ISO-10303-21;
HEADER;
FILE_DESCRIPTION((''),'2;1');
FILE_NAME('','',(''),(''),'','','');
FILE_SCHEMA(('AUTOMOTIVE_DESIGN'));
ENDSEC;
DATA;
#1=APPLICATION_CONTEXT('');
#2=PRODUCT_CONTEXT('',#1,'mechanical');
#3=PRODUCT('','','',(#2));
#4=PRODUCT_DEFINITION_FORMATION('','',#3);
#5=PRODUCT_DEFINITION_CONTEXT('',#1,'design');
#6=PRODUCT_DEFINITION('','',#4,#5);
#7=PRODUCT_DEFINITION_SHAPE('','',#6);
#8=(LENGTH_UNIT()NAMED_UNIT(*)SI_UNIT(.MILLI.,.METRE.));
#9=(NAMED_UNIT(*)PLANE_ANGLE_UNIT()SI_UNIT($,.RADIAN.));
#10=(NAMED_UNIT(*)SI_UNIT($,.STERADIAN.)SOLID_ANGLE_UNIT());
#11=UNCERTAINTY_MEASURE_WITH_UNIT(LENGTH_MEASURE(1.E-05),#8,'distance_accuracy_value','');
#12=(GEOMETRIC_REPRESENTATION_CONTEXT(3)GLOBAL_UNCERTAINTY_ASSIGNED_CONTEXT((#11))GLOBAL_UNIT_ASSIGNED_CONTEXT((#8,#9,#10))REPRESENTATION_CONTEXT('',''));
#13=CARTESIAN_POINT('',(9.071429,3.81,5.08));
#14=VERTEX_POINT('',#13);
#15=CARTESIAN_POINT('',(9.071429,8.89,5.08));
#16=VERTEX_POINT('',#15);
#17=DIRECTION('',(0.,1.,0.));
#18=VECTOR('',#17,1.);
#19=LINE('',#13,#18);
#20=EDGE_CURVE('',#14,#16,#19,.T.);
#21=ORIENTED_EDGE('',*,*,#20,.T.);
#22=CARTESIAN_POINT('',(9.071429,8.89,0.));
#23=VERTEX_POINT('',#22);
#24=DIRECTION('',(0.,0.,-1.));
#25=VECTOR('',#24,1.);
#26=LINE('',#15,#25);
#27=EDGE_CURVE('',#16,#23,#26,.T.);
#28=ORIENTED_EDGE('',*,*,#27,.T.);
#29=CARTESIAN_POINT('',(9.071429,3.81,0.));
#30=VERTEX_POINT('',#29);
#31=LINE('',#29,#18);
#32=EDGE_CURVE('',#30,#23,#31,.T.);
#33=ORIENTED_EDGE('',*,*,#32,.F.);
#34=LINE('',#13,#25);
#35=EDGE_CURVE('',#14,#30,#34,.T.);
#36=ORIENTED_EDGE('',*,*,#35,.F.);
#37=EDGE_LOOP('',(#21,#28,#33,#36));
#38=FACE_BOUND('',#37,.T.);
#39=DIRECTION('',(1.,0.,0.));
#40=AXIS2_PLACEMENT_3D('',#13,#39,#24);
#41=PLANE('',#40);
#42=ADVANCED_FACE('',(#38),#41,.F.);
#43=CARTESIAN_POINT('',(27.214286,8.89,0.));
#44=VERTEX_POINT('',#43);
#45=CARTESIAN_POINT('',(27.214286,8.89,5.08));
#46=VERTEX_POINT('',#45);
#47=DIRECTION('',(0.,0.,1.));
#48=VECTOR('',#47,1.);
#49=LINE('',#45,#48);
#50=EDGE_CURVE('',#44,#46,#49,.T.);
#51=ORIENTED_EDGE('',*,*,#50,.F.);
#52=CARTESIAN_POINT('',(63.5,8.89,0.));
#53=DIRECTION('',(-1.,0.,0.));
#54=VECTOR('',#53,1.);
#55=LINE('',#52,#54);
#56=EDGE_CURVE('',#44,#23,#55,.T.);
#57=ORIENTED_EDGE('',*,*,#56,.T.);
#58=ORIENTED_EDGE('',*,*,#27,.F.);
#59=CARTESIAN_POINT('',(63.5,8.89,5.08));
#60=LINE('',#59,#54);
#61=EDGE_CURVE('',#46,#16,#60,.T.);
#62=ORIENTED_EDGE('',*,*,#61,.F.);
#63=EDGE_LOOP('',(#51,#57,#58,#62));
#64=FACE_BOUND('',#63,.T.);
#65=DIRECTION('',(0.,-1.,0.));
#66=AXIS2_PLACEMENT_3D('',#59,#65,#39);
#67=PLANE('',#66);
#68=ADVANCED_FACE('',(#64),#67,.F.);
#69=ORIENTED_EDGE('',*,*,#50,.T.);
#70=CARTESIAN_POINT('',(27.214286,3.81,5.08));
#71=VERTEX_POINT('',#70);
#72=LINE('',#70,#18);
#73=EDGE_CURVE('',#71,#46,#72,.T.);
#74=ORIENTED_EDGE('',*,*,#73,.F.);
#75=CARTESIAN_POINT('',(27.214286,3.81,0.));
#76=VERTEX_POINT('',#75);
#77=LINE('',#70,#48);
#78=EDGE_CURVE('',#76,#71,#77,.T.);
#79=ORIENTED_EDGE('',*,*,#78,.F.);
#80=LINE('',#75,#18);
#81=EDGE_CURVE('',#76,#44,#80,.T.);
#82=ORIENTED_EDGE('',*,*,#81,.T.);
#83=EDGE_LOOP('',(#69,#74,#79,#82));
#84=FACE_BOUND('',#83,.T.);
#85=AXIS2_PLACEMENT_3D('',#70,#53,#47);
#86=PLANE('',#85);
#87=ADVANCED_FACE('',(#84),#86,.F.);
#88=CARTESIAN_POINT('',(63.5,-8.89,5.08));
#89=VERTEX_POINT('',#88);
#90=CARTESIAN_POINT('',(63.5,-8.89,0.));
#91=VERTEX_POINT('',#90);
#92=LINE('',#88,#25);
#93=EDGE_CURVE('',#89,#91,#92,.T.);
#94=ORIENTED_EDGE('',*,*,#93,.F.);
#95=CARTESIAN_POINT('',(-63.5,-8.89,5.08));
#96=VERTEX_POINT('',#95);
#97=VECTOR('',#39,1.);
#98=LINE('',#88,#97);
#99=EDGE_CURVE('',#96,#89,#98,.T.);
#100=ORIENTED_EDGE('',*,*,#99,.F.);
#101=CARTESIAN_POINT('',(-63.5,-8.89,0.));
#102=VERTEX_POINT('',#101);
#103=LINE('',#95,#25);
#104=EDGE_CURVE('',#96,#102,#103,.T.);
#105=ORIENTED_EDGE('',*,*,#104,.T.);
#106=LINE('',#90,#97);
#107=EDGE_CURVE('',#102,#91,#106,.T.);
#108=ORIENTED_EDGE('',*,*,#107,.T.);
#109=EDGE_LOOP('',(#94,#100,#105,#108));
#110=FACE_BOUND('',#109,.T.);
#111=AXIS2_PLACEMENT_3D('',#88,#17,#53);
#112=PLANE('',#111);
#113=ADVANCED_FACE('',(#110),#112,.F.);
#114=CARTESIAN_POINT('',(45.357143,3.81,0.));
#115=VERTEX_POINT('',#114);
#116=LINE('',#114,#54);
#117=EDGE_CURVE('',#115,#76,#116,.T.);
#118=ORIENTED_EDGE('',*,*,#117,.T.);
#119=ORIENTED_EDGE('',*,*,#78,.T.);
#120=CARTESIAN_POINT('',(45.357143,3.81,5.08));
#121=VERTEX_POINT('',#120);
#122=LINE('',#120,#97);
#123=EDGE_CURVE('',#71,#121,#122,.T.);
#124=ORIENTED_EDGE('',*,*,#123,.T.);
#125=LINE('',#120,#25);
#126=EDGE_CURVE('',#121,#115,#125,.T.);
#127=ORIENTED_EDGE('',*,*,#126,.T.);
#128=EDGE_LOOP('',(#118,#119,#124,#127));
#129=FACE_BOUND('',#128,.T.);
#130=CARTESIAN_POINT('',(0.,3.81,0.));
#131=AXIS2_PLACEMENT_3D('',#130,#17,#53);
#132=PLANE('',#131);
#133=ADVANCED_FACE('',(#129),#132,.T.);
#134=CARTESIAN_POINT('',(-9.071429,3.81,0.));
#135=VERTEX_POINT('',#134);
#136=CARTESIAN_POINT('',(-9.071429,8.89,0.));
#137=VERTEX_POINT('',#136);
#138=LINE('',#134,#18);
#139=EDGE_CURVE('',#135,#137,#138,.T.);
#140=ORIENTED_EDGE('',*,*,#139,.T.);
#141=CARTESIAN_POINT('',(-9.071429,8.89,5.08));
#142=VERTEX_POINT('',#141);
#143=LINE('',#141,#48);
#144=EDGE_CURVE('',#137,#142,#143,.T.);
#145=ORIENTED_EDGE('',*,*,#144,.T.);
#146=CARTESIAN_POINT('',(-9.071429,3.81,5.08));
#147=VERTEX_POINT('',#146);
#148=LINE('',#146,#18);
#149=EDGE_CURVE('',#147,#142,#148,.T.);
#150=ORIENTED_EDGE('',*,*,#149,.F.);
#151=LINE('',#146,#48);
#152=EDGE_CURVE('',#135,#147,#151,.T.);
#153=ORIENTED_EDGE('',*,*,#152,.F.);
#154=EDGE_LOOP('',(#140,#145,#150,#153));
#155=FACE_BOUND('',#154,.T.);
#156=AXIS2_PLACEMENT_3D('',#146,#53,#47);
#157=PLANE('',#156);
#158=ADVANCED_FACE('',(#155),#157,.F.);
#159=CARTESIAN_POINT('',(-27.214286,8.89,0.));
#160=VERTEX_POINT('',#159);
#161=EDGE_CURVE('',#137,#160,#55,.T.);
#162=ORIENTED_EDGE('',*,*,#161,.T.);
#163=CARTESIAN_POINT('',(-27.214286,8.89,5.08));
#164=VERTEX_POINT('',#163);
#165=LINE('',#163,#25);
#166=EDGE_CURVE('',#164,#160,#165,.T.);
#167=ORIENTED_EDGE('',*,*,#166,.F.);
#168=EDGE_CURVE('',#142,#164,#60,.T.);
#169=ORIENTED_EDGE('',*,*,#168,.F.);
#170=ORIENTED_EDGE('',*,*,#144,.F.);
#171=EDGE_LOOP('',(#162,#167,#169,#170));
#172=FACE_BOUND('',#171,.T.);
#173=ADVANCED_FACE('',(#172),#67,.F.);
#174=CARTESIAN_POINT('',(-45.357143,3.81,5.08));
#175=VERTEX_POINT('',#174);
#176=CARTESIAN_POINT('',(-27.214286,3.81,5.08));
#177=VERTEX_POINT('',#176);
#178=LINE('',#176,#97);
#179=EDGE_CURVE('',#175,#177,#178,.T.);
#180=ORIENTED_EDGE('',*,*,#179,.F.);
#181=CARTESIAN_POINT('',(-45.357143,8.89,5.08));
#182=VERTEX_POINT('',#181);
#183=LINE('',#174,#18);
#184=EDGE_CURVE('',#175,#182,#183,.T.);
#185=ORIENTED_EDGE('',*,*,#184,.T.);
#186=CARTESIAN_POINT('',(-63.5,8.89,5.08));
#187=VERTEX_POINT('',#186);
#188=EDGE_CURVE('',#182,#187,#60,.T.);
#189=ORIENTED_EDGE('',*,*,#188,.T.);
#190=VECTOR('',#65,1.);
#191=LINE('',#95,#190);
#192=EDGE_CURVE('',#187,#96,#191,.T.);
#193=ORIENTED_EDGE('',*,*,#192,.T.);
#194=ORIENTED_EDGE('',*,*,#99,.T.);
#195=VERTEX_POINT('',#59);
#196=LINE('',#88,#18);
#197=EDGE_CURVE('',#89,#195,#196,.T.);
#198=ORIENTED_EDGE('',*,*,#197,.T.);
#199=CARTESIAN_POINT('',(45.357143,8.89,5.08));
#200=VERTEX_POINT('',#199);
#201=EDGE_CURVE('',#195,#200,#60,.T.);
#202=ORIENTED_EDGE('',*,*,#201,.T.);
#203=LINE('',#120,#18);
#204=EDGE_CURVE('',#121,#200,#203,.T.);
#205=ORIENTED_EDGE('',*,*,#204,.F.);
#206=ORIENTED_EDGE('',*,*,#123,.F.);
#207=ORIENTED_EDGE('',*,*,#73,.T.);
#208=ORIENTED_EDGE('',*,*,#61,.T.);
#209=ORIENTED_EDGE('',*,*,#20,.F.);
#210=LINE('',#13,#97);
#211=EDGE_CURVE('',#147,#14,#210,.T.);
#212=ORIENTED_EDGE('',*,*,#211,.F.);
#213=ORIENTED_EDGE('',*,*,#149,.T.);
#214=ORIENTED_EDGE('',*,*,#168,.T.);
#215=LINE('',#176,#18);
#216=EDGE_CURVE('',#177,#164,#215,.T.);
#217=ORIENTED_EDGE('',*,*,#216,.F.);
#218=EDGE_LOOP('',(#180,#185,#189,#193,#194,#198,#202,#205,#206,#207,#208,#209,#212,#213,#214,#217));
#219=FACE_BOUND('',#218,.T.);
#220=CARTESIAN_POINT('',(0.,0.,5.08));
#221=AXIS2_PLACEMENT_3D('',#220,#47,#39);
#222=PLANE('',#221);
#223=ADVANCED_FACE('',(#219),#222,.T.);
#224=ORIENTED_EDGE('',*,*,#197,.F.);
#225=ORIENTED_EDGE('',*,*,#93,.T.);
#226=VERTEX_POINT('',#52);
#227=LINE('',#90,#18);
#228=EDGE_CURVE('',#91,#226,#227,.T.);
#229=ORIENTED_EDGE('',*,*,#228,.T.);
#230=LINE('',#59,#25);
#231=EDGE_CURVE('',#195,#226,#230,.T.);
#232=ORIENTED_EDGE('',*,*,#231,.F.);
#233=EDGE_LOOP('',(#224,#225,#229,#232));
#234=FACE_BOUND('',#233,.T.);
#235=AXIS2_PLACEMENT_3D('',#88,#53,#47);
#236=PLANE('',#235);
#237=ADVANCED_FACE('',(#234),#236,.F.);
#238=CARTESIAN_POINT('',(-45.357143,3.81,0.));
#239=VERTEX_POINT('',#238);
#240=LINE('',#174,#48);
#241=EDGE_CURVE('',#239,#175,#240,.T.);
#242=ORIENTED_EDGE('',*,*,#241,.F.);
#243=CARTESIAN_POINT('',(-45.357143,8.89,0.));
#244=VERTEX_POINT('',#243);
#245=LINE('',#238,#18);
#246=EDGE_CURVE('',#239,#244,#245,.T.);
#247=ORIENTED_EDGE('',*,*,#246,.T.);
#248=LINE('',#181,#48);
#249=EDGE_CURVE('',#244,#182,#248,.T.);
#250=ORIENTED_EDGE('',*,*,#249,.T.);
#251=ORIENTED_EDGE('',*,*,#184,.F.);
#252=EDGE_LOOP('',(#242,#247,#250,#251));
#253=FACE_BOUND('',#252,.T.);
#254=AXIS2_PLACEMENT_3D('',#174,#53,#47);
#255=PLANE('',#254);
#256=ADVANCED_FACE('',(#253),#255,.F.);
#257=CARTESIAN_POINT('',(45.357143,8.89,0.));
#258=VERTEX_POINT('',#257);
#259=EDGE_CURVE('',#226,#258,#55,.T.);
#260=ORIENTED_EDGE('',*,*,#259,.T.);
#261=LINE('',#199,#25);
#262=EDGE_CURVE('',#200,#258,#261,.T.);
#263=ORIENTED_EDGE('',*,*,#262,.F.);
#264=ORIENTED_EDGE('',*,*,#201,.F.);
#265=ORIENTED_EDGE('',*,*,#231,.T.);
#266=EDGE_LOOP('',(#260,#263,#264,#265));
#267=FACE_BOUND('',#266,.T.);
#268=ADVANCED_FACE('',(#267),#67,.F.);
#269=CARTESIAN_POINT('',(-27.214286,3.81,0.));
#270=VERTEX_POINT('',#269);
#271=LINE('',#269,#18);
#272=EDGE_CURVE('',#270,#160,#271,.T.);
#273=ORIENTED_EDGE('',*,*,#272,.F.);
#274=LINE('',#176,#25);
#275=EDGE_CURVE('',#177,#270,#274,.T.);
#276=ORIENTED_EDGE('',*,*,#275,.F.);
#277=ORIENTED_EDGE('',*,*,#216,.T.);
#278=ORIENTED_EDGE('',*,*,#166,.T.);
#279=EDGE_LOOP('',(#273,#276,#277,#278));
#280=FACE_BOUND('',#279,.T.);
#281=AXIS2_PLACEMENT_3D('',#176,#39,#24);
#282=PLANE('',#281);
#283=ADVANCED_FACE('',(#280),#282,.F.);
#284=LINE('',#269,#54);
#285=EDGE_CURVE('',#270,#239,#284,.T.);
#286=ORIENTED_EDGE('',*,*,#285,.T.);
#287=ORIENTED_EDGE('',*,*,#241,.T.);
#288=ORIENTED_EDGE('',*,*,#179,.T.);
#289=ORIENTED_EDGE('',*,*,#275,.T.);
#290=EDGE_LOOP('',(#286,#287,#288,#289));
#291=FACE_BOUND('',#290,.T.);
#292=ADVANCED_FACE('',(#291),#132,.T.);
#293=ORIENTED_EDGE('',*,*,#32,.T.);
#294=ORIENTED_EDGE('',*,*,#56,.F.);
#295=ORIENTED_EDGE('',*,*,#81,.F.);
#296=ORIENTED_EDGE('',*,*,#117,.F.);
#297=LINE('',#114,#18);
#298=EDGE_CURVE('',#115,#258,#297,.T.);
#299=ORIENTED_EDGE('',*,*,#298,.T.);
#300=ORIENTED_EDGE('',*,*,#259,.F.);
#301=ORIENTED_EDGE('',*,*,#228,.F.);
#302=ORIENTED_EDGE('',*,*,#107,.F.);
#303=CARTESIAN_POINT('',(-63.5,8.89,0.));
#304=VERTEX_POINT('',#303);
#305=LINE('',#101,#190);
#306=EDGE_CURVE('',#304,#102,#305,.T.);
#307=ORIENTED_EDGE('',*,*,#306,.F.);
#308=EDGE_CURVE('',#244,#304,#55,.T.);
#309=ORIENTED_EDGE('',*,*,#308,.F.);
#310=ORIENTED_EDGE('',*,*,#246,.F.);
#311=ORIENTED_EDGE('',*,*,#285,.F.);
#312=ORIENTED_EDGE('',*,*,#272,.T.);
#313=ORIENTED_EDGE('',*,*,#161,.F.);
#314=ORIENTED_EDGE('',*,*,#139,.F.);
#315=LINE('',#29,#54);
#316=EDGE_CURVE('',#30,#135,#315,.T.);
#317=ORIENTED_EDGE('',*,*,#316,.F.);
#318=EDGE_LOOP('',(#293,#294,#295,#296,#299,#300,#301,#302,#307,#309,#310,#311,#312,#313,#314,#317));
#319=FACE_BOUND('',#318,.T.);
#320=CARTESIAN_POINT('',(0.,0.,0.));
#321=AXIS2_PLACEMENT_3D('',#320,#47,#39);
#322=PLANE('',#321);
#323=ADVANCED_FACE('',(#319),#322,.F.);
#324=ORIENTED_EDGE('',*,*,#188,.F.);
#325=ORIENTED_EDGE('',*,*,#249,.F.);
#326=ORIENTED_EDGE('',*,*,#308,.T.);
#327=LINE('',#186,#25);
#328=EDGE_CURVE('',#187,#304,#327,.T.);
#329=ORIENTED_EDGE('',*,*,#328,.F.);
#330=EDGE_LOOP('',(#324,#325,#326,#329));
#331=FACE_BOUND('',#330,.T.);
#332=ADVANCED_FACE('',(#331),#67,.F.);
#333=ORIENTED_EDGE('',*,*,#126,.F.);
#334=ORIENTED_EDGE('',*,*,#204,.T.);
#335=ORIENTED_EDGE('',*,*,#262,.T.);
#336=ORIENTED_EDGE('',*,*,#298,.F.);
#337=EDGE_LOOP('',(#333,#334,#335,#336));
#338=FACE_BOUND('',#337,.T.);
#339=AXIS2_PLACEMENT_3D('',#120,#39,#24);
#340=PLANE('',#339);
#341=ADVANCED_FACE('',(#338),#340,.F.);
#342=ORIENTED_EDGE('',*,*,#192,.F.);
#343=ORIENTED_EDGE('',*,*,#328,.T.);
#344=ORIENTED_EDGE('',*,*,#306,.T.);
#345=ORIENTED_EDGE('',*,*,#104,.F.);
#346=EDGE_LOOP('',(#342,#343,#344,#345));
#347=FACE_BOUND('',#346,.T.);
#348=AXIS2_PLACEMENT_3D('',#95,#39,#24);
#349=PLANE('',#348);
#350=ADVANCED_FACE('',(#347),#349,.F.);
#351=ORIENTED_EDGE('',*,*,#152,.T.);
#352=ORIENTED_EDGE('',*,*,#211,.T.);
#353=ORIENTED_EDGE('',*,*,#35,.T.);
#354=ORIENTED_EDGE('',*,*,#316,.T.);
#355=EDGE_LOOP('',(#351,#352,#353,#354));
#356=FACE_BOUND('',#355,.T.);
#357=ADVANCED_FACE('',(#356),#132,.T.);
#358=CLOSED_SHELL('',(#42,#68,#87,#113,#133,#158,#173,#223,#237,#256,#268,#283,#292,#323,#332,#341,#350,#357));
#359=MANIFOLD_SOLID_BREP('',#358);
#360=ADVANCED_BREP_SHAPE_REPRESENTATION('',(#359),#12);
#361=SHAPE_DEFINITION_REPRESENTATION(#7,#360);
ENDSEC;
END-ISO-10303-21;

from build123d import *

# Parameters (mm, degrees)
SKETCH1_W           = 127
SKETCH1_H           = 17.78
BOSS_EXTRUDE1_DEPTH = 5.08
SKETCH2_W           = 18.142857143
SKETCH2_H           = 5.08
SKETCH2_W_2         = 18.142857142
CUT_EXTRUDE1_DEPTH  = 5.08


with BuildPart() as part:
    # Sketch1 → Boss-Extrude1 (new body)
    with BuildSketch(Plane.XY):
        Rectangle(SKETCH1_W, SKETCH1_H)
    extrude(amount=BOSS_EXTRUDE1_DEPTH)

    # Sketch2 → Cut-Extrude1 (cut)
    with BuildSketch(Plane(origin=(0, 8.89, 0), x_dir=(1, 0, 0), z_dir=(0, 1, 0))):
        with Locations((36.285714285, -2.54)):
            Rectangle(SKETCH2_W, SKETCH2_H)
        with Locations((0, -2.54)):
            Rectangle(SKETCH2_W_2, SKETCH2_H)
        with Locations((-36.285714285, -2.54)):
            Rectangle(SKETCH2_W, SKETCH2_H)
    extrude(amount=-CUT_EXTRUDE1_DEPTH, mode=Mode.SUBTRACT)


solid = part.part
